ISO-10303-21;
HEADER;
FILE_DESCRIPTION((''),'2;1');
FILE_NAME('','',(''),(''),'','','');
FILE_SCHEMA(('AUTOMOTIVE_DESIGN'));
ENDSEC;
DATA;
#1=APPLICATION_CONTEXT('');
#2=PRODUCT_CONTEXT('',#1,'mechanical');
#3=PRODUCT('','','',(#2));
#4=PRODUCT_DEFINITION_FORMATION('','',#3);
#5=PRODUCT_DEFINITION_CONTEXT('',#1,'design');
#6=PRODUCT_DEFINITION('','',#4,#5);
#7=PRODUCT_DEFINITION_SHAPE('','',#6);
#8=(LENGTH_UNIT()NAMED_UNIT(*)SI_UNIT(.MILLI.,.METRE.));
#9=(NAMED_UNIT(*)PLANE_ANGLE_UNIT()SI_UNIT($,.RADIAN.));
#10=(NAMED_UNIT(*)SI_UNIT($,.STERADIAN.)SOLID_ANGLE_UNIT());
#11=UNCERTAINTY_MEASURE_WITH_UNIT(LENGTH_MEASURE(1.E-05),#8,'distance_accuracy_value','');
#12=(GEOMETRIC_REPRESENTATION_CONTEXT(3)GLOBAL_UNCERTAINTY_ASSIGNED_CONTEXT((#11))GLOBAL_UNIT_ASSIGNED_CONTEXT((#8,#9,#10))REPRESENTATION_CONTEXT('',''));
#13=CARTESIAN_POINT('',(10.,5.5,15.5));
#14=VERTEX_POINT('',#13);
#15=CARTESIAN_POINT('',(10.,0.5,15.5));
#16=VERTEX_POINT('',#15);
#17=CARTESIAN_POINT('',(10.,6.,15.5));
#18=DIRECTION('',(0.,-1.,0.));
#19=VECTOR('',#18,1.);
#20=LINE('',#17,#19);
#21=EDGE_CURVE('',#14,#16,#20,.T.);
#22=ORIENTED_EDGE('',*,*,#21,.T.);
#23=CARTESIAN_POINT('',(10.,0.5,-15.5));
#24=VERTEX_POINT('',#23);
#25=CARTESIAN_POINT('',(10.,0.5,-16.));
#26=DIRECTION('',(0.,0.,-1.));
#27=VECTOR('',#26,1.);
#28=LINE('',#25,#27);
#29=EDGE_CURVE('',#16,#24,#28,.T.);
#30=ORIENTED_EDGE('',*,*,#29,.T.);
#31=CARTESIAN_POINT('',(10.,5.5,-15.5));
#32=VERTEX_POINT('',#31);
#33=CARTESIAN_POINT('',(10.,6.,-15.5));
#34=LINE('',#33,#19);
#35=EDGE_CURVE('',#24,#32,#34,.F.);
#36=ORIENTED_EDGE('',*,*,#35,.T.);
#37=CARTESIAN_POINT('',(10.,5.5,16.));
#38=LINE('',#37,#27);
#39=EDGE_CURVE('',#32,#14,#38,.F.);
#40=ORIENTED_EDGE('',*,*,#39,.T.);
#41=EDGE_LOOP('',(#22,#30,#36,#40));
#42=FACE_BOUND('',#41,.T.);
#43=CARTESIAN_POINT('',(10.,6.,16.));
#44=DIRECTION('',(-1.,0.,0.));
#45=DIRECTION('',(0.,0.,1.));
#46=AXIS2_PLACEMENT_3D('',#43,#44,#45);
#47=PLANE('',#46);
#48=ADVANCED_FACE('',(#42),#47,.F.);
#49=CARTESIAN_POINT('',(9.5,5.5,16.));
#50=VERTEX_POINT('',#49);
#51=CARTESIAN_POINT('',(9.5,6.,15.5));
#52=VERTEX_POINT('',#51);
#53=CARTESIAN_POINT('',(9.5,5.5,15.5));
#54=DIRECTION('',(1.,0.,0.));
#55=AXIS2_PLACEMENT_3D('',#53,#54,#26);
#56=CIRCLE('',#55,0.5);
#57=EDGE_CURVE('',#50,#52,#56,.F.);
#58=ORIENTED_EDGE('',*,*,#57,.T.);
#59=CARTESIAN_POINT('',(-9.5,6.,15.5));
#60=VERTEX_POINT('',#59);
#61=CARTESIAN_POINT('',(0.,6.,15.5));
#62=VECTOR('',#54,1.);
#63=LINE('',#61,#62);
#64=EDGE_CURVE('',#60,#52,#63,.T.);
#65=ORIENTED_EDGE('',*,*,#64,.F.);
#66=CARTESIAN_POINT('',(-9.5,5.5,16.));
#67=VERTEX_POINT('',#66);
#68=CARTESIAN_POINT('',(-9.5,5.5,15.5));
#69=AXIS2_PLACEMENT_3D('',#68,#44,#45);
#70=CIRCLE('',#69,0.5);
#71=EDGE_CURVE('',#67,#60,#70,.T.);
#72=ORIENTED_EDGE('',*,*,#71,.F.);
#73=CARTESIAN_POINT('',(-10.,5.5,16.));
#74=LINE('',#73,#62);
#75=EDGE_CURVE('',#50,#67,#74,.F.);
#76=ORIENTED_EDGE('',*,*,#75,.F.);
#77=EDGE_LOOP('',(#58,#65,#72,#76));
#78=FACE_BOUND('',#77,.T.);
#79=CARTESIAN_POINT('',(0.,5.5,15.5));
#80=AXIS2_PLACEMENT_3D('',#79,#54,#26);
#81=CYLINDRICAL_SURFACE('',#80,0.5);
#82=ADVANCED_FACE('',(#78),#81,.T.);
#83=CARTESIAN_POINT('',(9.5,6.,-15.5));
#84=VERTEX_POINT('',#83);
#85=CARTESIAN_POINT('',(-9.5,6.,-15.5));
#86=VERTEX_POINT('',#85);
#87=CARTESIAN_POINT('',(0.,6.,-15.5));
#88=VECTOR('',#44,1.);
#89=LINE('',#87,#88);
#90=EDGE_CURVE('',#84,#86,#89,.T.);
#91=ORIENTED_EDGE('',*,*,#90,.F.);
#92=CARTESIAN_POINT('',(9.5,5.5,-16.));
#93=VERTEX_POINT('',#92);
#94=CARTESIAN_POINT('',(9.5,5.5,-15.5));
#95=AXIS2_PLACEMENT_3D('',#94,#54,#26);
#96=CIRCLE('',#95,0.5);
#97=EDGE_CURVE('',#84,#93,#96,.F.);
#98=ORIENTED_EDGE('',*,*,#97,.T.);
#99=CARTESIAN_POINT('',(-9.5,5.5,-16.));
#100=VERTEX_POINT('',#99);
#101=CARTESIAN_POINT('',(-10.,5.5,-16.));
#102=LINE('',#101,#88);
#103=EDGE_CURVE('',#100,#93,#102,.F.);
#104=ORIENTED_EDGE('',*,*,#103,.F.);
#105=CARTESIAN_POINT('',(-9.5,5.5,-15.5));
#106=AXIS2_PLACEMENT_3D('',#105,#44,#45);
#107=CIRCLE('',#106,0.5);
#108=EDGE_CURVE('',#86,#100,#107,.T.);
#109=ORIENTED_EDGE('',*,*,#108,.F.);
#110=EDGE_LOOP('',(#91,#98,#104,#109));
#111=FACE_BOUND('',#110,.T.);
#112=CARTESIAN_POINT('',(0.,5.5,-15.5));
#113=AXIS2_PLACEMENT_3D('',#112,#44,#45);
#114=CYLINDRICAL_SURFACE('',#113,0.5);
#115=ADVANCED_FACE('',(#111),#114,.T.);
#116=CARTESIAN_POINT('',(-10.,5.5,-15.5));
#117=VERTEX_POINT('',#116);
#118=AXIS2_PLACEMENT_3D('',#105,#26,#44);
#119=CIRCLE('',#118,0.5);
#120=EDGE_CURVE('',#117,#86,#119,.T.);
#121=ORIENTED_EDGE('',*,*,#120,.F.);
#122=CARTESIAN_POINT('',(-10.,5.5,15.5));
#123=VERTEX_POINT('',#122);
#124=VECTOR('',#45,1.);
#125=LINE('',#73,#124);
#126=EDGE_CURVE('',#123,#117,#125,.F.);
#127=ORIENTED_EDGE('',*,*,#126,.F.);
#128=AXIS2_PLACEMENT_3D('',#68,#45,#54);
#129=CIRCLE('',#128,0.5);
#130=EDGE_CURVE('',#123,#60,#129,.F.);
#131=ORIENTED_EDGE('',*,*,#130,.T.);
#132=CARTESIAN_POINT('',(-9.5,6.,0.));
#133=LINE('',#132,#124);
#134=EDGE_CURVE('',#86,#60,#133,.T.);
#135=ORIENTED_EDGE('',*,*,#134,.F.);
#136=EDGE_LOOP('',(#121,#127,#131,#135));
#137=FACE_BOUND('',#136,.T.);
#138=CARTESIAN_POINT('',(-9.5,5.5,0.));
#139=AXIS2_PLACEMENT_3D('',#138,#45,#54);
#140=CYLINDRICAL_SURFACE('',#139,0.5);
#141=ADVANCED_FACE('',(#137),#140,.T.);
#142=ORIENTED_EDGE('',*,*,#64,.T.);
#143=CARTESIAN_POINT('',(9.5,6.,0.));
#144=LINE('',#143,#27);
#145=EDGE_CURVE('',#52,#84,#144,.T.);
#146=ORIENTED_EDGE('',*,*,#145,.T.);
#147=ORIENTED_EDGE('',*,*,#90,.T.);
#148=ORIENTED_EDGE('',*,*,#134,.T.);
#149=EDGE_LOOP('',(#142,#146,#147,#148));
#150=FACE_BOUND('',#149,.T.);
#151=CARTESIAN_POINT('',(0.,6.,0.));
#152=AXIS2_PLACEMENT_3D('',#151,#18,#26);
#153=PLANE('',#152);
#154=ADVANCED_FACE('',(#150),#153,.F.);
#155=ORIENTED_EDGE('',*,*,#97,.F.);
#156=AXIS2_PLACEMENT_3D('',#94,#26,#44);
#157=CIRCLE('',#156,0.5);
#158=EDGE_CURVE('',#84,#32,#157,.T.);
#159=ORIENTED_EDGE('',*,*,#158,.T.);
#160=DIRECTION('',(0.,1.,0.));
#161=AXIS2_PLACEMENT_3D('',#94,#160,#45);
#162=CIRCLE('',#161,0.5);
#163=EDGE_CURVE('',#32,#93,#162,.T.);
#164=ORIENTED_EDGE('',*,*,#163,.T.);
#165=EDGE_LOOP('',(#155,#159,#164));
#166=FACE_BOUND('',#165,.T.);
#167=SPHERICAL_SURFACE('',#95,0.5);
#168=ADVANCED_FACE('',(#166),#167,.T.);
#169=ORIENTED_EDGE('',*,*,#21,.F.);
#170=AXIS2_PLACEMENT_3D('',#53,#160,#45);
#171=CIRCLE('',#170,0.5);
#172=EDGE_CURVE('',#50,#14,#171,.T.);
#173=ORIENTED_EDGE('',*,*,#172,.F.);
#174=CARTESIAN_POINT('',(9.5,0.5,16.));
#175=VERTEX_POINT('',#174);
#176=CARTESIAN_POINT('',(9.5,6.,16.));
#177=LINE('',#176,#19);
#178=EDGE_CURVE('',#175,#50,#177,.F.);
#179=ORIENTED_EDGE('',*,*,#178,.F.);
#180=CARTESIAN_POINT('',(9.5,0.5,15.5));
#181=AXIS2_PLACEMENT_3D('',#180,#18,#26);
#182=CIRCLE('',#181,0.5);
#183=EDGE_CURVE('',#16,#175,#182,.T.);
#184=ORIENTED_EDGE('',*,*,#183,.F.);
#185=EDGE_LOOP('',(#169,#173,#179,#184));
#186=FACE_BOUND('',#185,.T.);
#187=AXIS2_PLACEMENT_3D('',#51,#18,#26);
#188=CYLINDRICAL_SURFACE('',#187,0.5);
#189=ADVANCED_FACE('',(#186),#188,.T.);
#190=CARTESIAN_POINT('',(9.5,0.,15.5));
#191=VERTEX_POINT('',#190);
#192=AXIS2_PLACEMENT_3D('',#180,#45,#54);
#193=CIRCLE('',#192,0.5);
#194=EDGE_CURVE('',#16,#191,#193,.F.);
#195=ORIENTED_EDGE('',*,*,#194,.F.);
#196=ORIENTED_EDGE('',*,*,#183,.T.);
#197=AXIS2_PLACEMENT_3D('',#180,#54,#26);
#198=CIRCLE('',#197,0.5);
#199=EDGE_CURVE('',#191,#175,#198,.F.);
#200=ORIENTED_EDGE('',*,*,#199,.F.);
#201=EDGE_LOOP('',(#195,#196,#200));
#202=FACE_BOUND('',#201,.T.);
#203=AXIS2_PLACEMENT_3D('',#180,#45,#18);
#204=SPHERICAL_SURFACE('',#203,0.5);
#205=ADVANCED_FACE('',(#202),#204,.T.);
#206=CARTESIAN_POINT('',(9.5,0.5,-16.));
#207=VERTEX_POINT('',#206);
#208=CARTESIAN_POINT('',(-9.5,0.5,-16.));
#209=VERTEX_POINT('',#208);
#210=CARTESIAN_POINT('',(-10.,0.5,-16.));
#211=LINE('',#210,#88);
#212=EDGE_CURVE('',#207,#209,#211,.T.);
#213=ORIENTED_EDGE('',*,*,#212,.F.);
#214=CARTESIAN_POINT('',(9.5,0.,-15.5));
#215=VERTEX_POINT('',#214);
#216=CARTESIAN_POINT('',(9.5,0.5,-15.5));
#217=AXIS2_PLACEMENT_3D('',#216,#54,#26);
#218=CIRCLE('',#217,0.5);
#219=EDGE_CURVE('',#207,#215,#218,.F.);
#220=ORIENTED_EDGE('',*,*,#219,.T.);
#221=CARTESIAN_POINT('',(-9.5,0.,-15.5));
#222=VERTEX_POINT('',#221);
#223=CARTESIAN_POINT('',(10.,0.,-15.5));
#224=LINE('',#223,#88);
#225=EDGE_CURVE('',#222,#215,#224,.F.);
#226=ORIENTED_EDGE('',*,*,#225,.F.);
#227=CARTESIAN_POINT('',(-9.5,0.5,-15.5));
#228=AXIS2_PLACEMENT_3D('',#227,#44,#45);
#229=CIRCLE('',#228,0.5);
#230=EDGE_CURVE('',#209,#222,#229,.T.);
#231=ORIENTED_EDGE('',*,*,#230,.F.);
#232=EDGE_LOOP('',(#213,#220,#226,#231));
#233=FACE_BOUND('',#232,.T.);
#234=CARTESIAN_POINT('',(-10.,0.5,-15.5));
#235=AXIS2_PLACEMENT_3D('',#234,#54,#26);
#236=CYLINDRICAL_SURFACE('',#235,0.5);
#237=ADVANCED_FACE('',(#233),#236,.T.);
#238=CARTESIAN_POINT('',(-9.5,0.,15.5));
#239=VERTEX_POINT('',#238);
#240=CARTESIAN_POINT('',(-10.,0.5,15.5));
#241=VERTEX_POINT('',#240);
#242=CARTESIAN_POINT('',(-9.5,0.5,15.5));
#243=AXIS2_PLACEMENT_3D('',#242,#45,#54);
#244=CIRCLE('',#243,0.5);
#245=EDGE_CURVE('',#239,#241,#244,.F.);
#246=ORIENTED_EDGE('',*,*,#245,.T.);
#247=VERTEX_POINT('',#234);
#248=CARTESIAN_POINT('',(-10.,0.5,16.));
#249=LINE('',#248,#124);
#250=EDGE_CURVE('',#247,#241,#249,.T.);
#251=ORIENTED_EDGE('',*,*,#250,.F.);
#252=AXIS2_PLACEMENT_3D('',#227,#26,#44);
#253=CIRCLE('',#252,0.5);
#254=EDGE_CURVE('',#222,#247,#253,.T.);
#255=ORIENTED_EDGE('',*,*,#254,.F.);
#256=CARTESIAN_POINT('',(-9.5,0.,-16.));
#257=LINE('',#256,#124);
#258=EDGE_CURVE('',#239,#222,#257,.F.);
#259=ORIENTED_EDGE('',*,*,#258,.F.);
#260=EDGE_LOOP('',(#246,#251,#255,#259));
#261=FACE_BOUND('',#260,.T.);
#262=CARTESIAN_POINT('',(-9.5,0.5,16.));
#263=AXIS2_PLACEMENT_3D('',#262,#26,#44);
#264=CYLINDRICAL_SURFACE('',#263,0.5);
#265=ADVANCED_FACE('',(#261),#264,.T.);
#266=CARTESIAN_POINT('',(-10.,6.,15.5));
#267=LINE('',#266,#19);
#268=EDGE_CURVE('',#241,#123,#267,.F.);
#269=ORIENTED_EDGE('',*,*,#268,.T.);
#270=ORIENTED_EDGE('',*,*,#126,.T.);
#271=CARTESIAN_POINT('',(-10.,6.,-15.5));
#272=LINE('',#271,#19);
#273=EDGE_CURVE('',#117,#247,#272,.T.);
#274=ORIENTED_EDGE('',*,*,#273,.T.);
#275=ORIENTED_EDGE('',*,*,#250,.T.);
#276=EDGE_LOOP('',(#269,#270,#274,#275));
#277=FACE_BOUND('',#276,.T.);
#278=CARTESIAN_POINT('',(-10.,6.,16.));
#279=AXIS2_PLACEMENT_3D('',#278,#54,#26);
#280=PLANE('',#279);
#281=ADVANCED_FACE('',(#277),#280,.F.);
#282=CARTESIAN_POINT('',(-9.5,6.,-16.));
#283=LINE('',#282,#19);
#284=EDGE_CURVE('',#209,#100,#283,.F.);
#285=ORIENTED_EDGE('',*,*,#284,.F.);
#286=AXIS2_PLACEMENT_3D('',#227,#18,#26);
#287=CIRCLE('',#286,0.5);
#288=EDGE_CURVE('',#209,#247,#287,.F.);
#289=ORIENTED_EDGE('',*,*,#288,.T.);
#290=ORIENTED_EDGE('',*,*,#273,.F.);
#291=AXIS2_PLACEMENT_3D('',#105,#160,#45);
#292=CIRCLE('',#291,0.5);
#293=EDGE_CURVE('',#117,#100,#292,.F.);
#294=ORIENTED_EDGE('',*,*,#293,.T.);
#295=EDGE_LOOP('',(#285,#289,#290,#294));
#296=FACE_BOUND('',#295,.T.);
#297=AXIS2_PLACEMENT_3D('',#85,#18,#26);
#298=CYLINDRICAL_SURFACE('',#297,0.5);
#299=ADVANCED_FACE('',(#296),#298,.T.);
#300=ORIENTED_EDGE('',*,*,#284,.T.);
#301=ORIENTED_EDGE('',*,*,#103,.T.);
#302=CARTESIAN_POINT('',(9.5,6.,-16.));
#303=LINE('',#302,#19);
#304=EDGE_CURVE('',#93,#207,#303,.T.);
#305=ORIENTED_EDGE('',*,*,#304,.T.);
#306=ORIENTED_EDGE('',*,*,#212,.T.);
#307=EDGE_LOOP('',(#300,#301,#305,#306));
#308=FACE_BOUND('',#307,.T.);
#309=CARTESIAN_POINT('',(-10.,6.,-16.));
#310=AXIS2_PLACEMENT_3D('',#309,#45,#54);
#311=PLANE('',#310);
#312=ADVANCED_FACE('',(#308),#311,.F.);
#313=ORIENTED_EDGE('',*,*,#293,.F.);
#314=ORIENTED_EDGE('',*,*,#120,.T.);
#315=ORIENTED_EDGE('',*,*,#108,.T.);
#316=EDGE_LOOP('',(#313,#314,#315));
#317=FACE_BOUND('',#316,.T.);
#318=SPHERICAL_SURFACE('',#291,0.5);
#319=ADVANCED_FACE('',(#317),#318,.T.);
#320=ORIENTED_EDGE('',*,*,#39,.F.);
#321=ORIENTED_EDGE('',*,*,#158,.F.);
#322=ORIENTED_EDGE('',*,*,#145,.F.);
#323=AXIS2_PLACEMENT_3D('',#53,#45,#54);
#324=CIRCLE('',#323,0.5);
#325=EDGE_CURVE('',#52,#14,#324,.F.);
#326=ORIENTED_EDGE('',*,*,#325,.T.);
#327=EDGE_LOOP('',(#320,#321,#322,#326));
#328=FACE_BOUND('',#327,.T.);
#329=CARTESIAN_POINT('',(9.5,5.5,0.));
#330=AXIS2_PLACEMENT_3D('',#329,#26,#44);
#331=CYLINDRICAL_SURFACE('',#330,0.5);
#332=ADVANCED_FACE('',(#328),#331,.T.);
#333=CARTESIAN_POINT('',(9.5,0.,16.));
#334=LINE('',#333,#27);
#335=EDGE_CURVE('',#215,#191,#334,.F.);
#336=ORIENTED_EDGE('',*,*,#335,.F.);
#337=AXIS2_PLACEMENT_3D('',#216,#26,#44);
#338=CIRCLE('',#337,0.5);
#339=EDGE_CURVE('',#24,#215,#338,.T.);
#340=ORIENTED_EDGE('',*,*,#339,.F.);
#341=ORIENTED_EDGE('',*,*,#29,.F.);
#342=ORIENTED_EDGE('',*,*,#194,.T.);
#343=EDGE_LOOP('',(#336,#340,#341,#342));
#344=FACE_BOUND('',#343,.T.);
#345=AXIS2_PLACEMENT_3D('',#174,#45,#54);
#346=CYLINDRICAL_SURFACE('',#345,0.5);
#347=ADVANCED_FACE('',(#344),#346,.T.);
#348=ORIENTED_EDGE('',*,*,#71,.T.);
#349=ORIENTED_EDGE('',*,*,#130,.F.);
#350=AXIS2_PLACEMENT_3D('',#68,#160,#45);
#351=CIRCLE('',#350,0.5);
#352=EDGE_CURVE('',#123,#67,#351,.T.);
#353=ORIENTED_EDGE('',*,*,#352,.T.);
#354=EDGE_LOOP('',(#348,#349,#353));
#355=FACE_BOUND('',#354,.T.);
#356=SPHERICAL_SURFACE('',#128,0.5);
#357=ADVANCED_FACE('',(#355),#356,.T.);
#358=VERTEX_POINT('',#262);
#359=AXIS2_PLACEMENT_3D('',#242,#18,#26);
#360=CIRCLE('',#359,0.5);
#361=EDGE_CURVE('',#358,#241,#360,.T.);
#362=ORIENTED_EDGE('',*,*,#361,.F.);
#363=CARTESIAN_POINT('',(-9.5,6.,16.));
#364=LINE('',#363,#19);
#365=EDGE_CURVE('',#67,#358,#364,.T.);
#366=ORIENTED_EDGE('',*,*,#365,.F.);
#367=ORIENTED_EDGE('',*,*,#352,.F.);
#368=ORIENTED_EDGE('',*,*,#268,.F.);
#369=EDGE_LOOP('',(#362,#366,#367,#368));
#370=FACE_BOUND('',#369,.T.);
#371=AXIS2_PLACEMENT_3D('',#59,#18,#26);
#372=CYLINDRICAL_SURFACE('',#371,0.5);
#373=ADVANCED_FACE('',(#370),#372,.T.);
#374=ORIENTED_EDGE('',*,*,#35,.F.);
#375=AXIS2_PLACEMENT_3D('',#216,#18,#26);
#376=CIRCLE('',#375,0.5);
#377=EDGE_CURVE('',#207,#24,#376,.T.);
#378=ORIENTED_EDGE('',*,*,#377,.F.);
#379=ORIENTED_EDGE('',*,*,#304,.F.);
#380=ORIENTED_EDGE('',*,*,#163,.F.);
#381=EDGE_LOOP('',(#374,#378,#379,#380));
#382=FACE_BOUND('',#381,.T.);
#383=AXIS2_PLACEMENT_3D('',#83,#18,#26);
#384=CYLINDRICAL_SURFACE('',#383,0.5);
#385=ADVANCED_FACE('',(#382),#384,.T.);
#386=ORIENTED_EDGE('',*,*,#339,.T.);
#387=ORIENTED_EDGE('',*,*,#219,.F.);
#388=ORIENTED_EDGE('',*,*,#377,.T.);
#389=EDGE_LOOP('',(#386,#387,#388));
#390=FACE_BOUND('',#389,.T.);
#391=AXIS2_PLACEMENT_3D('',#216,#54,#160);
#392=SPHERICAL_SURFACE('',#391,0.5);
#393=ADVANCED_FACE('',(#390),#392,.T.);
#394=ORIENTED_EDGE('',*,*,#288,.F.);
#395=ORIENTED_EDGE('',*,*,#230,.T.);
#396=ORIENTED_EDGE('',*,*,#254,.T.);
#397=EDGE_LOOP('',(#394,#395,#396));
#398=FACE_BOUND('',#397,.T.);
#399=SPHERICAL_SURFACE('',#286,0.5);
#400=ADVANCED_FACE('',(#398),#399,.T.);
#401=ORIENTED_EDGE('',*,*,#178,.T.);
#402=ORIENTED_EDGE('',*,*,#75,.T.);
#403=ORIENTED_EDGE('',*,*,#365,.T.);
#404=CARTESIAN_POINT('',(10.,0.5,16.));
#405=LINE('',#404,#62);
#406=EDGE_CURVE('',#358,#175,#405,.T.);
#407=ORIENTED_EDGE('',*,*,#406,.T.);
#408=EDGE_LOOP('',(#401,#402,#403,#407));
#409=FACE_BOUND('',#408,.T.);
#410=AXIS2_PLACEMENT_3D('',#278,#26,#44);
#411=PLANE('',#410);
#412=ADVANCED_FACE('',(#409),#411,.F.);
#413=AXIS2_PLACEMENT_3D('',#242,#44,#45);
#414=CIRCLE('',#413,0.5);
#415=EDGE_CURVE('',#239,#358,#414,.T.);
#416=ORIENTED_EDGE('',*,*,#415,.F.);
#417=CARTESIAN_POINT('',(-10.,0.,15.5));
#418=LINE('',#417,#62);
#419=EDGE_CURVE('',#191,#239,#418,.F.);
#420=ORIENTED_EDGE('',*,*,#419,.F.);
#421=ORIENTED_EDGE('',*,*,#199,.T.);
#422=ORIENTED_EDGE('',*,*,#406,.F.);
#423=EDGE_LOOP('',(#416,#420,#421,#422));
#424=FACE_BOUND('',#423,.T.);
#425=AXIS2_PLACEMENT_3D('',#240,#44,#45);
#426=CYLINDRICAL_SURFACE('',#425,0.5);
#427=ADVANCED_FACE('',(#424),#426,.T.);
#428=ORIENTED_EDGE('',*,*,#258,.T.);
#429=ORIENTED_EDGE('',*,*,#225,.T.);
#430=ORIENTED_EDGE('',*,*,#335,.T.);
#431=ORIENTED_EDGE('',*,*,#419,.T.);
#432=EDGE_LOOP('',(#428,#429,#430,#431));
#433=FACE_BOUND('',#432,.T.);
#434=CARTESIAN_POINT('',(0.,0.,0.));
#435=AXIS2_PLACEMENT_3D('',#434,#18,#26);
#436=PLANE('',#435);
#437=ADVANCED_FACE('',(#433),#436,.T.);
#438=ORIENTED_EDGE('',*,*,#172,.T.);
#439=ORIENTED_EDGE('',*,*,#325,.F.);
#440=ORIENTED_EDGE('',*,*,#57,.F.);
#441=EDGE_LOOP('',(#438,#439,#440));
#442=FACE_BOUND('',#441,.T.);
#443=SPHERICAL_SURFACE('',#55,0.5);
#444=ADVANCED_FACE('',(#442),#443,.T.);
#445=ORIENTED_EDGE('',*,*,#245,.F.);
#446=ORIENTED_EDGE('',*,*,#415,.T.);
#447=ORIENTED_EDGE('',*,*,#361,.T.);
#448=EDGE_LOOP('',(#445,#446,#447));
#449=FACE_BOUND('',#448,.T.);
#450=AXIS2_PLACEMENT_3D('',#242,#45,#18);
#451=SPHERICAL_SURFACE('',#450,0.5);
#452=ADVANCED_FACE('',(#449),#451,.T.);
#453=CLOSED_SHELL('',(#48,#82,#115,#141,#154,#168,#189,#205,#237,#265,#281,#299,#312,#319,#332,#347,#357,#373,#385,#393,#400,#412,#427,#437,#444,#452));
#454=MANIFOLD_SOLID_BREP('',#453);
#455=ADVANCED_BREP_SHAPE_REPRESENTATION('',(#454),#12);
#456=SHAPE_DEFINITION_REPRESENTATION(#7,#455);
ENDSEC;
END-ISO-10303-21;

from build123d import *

# Parameters (mm, degrees)
SKETCH1_W           = 20
SKETCH1_H           = 32
BOSS_EXTRUDE1_DEPTH = 6
FILLET1_R           = 0.5


with BuildPart() as part:
    # Sketch1 → Boss-Extrude1 (new body)
    with BuildSketch(Plane(origin=(0, 0, 0), x_dir=(1, 0, 0), z_dir=(0, 1, 0))):
        Rectangle(SKETCH1_W, SKETCH1_H)
    extrude(amount=BOSS_EXTRUDE1_DEPTH)

    # Fillet1
    fillet1_edges = [part.edges().sort_by_distance(p)[0] for p in [
        (-10, 6, 0),
        (0, 6, 16),
        (10, 6, 0),
        (0, 0, 16),
        (-10, 0, 0),
        (0, 0, -16),
        (10, 0, 0),
        (10, 3, 16),
        (-10, 3, 16),
        (-10, 3, -16),
        (10, 3, -16),
        (0, 6, -16),
    ]]
    fillet(fillet1_edges, radius=FILLET1_R)


solid = part.part
